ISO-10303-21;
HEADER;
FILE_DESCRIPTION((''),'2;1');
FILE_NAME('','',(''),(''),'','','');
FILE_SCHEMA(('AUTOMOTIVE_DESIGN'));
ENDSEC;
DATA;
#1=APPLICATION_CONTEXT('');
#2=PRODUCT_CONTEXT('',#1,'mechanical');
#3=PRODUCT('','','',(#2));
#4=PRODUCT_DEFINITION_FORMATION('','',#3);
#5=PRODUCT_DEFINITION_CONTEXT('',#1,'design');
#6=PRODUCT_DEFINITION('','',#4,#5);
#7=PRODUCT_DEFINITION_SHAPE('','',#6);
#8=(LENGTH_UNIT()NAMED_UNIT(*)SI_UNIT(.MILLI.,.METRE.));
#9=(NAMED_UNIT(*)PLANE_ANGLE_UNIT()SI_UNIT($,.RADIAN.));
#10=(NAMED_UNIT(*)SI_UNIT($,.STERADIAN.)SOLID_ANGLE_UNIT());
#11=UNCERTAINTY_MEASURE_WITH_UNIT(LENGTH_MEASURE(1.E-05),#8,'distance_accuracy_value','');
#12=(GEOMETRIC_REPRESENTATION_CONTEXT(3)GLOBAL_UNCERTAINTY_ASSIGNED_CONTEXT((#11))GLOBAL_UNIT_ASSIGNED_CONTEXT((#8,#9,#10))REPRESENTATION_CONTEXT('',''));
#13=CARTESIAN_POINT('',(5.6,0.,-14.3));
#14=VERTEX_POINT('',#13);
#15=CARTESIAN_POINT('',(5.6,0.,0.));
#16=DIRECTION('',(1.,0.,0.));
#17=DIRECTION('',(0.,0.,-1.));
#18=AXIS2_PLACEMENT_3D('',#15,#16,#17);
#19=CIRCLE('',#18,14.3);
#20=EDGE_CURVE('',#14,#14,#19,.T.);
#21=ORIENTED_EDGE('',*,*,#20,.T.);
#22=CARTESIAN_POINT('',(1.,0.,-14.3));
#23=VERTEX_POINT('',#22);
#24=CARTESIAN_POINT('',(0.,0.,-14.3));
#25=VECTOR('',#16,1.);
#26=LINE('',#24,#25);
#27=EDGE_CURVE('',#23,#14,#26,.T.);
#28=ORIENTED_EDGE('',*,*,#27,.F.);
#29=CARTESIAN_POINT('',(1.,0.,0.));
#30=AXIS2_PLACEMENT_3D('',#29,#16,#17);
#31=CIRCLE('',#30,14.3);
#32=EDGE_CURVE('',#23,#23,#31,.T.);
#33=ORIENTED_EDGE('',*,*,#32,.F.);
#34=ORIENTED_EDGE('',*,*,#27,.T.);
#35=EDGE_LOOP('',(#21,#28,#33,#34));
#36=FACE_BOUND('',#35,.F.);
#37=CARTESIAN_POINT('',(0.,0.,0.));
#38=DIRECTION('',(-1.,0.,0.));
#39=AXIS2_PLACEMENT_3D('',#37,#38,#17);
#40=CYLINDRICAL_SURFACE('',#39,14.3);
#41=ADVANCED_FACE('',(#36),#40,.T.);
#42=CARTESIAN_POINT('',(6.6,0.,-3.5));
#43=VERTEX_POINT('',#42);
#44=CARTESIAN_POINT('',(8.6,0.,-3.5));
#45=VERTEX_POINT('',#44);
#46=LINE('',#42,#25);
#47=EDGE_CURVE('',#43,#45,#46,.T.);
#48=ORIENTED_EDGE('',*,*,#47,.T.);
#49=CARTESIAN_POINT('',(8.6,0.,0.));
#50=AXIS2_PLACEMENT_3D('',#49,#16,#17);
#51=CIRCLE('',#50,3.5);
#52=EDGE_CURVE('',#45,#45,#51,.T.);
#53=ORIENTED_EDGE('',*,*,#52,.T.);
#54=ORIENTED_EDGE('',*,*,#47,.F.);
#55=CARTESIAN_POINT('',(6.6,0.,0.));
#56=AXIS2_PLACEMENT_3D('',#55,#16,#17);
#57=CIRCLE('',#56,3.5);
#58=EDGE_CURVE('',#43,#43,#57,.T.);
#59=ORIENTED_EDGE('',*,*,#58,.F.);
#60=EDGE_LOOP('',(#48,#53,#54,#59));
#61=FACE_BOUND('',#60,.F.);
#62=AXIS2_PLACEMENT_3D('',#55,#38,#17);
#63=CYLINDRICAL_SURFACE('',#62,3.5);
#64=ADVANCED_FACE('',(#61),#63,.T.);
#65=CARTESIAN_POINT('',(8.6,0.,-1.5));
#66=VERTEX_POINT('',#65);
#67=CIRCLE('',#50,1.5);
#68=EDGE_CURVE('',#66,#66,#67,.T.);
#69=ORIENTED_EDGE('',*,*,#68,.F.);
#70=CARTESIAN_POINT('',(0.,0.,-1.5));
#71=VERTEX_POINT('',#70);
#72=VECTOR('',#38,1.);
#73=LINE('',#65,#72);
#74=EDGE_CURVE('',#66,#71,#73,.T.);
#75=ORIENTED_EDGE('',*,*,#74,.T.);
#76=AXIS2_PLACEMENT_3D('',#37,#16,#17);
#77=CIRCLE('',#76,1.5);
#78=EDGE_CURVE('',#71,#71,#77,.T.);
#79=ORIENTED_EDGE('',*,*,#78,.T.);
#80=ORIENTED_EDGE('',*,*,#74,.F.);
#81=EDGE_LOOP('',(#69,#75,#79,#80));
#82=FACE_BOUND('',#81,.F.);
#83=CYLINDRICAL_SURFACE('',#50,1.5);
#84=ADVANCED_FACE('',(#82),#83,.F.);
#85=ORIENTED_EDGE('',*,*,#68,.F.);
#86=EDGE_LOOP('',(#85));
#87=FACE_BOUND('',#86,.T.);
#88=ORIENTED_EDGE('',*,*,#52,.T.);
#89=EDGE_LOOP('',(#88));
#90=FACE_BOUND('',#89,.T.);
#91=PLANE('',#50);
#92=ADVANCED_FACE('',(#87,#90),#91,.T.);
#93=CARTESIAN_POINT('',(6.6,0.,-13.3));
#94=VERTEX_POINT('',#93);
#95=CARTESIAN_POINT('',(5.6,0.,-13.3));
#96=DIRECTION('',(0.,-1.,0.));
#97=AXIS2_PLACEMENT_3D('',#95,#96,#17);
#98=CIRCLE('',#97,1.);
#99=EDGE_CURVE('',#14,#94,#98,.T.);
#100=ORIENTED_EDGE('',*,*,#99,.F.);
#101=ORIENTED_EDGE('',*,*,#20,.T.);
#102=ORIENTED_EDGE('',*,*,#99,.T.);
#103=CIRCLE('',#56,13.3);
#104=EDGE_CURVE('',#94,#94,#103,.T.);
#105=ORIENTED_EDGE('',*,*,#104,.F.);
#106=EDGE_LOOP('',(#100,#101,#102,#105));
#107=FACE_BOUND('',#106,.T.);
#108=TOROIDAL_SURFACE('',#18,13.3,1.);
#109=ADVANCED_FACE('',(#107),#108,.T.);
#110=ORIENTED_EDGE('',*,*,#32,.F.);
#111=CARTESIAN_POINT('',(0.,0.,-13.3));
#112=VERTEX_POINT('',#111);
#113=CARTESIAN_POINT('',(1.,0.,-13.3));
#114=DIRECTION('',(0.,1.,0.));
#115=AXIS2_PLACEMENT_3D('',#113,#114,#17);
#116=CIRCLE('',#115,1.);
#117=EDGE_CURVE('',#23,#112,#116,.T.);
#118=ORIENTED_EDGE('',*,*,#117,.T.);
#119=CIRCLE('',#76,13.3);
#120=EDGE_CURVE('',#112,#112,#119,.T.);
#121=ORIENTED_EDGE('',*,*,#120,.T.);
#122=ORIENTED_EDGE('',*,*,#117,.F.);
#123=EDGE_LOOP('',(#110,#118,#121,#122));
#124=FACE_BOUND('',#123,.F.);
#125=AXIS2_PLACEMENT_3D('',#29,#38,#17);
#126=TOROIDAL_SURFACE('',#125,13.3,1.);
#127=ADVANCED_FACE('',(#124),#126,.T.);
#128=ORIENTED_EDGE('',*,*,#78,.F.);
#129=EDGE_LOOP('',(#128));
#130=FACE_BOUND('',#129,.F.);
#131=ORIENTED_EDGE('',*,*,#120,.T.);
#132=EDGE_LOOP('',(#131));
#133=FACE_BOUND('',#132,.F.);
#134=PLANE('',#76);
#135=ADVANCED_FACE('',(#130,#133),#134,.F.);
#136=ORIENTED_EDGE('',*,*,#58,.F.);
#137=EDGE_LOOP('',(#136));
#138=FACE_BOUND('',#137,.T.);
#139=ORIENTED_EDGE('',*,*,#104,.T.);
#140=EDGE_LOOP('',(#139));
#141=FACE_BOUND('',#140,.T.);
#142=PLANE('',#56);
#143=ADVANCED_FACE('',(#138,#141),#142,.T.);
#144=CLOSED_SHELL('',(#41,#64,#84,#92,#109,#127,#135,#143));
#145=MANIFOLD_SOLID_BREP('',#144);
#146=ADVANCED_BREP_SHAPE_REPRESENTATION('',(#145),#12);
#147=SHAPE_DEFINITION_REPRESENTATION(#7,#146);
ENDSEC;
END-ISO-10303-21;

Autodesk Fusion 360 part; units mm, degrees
sketch "スケッチ1" plane through (0, 0, 0) normal (1, 0, 0) x (0, 0, -1)
  circle A0 centre (0, 0) radius 14.3
  dimension "d1" = 28.6
extrude "押し出し1" add sketch "スケッチ1" along normal blind 6.6
sketch "スケッチ2" plane through (6.6, 0, 0) normal (1, 0, 0) x (0, 0, -1)
  circle A0 centre (0, 0) radius 14.3
  circle A1 centre (0, 0) radius 3.5
  dimension "d4" = 7
extrude "押し出し2" add sketch "スケッチ2" along normal blind 2 contours A1
sketch "スケッチ3" plane through (8.6, 0, 0) normal (1, 0, 0) x (0, 0, -1)
  circle A0 centre (0, 0) radius 3.5
  circle A1 centre (0, 0) radius 1.5
  dimension "d7" = 3
extrude "押し出し3" cut sketch "スケッチ3" along normal mid plane 17.6 contours A1
fillet "フィレット1" radius 1 1 edges at (0, -5.1711, 13.3323)
fillet "フィレット2" radius 1 1 edges at (6.6, -5.1711, 13.3323)
